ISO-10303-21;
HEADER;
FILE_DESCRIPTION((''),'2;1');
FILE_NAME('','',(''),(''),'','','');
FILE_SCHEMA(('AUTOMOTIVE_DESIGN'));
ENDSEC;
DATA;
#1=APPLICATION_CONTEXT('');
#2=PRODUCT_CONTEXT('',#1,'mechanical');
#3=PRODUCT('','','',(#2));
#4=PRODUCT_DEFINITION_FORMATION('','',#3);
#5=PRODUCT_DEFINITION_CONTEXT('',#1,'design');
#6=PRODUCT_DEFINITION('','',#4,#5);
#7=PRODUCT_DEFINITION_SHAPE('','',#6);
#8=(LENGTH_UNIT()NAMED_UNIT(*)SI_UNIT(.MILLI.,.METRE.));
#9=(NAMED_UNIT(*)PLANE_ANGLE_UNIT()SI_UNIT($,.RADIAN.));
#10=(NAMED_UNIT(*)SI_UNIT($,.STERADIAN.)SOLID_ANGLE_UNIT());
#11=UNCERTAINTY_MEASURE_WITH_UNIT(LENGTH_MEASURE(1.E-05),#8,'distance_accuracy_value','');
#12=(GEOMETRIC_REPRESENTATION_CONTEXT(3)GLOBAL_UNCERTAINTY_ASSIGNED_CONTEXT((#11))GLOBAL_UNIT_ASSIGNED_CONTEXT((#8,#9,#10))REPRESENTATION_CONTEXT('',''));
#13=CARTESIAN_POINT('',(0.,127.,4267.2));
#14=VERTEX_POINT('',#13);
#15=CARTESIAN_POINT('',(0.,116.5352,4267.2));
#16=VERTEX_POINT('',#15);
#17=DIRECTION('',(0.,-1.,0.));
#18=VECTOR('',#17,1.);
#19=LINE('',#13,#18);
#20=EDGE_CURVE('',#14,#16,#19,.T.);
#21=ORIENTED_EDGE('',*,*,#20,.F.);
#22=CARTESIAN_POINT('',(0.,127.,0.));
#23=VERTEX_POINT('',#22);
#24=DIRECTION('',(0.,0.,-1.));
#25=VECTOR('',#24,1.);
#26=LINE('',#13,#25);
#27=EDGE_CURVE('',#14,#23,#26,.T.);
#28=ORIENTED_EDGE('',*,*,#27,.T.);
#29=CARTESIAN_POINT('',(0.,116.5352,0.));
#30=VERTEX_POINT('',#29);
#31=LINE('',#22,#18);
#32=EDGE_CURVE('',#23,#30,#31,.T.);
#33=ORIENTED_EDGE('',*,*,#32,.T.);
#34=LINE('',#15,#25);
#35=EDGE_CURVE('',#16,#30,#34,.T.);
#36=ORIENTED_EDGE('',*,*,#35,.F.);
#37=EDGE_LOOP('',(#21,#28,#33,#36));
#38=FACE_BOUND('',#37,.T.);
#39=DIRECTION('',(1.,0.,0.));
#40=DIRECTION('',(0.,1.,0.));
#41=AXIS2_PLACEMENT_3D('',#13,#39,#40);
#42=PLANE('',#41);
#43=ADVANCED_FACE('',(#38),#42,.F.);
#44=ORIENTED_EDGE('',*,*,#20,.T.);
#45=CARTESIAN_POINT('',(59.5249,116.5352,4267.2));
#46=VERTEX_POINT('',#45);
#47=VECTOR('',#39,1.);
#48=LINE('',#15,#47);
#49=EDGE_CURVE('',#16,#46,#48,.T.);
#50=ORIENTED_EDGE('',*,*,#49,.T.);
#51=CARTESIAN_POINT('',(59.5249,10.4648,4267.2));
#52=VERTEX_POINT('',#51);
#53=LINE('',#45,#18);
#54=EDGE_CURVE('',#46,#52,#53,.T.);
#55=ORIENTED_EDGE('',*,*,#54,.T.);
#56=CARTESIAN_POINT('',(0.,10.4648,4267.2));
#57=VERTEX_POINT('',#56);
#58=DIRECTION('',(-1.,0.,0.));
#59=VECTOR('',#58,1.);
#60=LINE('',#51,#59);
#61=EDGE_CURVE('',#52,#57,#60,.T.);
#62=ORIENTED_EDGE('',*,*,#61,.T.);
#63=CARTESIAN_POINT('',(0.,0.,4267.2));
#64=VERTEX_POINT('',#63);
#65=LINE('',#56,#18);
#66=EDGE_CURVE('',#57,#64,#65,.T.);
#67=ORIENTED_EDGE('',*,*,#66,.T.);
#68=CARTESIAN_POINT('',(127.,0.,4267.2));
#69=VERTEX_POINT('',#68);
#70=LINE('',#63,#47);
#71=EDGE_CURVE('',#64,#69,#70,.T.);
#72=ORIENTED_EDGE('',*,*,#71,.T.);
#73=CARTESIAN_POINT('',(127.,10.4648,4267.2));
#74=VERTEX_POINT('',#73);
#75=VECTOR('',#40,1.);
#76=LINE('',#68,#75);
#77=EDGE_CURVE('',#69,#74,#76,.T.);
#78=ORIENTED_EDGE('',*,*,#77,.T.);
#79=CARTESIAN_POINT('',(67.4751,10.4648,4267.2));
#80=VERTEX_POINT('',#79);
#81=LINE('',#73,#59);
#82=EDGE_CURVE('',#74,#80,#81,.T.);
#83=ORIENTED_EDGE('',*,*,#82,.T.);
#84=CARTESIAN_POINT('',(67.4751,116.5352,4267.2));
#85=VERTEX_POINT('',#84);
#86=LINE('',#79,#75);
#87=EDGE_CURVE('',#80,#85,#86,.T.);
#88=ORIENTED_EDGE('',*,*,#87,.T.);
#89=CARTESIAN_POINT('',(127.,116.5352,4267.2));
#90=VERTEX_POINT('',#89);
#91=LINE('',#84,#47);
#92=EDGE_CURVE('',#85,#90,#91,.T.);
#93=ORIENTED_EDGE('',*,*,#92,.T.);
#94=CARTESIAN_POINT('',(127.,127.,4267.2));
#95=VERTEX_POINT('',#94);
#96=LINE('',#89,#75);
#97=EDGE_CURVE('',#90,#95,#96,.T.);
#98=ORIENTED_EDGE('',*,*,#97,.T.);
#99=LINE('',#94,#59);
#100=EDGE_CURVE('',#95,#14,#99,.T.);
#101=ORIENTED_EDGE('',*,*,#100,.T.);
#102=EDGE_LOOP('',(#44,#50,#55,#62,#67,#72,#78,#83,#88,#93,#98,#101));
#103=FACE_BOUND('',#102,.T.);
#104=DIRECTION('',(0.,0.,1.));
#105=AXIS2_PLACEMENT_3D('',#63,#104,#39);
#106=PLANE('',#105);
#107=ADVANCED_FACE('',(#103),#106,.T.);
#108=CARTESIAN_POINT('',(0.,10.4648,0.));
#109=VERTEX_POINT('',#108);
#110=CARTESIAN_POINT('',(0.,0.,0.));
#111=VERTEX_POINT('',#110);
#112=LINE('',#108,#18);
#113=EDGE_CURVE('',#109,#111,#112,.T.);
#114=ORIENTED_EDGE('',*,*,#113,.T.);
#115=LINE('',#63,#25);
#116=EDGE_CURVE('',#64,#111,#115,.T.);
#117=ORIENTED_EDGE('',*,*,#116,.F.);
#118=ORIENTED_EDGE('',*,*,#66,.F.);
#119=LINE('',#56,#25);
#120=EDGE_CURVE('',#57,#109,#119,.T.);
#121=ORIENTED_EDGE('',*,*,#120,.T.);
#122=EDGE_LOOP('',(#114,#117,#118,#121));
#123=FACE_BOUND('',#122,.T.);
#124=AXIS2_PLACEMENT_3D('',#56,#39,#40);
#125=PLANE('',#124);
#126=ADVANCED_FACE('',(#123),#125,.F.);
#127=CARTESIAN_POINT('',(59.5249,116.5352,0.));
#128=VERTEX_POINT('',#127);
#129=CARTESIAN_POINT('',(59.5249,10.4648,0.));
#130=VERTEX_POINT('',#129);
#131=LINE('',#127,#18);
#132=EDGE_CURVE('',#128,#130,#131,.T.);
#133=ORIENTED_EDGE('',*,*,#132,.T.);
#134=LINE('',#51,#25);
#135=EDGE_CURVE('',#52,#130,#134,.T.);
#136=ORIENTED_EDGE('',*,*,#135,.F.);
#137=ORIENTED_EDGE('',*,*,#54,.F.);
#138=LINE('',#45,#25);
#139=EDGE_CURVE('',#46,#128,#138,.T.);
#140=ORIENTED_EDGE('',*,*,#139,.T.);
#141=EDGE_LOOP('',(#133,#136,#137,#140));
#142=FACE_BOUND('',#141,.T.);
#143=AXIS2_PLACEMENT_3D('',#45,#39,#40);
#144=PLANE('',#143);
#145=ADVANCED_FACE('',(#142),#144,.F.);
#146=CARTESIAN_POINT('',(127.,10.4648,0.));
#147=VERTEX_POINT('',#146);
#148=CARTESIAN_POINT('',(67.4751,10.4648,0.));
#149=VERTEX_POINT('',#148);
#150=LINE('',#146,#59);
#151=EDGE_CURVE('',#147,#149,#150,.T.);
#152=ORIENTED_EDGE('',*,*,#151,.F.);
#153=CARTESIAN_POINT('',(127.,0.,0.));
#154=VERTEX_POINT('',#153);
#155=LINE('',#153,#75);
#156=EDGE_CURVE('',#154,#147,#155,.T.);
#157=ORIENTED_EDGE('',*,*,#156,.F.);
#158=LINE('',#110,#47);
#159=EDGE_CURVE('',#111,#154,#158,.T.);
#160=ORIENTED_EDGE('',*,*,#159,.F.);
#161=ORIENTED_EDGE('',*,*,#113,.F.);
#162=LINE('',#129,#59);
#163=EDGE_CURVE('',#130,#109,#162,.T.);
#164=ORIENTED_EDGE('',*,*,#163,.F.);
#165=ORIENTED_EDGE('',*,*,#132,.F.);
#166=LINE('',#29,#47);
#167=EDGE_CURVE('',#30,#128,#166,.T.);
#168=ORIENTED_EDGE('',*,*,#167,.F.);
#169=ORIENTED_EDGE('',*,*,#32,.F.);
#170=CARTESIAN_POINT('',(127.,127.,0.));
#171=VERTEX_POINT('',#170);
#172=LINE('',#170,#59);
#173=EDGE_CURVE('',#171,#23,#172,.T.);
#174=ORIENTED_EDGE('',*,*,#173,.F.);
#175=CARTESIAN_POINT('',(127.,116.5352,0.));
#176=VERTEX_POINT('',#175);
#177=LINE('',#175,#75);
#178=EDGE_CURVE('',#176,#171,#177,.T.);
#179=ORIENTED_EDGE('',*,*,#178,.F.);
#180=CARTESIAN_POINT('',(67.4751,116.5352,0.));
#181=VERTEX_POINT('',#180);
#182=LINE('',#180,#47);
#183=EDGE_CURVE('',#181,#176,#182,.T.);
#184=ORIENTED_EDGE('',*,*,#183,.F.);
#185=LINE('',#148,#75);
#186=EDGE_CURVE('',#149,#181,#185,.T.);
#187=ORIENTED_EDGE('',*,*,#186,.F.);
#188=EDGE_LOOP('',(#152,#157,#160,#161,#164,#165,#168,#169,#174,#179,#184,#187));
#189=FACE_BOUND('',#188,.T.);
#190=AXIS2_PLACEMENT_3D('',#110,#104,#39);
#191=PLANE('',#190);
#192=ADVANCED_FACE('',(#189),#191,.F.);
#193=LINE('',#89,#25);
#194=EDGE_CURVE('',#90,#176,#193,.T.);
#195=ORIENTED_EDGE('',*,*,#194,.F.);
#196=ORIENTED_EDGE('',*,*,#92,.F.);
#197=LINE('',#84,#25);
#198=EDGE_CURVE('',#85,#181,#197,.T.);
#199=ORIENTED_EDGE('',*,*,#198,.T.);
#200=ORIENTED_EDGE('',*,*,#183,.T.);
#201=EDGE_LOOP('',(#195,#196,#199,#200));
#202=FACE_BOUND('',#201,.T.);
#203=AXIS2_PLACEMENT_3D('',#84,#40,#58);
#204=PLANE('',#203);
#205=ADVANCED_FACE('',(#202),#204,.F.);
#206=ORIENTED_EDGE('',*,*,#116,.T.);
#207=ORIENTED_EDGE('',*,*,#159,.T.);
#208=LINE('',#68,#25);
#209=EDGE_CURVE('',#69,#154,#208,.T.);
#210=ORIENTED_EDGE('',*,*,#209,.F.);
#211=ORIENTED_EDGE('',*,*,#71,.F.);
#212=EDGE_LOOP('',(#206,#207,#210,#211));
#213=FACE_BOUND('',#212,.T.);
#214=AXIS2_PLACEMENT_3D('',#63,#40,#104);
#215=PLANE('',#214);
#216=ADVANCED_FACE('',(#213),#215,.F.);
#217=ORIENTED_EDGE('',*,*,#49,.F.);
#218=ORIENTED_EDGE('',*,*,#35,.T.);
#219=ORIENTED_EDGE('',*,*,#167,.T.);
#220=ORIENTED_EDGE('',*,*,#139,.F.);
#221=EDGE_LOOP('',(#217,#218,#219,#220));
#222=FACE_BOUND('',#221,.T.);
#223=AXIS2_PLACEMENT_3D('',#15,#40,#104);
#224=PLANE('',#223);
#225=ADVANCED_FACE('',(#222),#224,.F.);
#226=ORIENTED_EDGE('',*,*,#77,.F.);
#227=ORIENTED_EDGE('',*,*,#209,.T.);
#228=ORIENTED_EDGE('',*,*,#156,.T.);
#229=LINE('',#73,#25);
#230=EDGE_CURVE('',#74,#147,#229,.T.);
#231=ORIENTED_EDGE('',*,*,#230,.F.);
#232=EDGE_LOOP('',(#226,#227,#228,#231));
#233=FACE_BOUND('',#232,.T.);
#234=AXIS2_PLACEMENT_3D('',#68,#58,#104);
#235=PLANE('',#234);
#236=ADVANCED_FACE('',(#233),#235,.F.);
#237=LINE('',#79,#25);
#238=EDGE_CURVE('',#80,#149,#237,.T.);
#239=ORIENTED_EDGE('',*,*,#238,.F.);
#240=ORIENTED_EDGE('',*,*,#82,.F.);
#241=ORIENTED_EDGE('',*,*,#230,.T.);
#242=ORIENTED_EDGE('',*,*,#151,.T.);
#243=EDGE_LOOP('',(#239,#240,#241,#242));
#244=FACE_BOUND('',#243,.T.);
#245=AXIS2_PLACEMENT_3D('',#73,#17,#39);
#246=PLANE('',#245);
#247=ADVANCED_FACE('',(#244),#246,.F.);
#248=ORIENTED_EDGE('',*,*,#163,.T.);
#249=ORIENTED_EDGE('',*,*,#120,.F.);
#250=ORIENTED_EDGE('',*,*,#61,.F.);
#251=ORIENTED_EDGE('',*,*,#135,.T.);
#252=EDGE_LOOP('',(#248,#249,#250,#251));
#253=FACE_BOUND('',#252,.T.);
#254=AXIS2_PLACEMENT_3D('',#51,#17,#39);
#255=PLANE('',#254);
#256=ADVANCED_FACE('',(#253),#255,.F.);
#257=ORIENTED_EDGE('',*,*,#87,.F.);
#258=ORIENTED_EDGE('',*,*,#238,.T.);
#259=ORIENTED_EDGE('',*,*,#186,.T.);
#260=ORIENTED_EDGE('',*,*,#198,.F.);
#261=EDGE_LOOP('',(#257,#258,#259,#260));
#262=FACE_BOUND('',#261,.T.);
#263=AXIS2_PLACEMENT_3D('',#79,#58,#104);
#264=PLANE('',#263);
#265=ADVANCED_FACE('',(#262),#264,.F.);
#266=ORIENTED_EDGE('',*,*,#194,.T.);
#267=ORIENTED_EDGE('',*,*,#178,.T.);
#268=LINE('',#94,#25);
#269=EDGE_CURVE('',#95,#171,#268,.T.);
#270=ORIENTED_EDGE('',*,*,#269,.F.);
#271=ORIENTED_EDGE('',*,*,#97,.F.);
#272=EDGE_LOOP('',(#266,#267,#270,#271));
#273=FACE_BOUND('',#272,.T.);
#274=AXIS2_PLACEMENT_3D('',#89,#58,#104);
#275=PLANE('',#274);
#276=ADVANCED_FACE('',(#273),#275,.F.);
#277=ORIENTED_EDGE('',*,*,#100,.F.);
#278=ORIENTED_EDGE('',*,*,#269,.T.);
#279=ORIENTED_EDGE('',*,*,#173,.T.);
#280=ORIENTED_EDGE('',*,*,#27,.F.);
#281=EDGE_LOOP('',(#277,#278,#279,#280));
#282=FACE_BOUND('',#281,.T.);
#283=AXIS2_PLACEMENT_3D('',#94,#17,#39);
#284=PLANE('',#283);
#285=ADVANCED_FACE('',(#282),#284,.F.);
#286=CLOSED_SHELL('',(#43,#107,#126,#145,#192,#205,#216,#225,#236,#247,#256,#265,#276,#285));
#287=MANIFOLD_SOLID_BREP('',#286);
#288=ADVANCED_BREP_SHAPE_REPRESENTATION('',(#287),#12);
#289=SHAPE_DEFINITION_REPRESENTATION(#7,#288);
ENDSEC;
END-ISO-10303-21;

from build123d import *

# Parameters (mm, degrees)
BOSS_EXTRUDE1_DEPTH = 4267.2


with BuildPart() as part:
    # Sketch1 → Boss-Extrude1 (new body)
    with BuildSketch(Plane.XY):
        Polygon((0, 0), (127, 0), (127, 10.4648), (67.4751, 10.4648), (67.4751, 116.5352), (127, 116.5352), (127, 127), (0, 127), (0, 116.5352), (59.5249, 116.5352), (59.5249, 10.4648), (0, 10.4648), align=None)
    extrude(amount=BOSS_EXTRUDE1_DEPTH)


solid = part.part
